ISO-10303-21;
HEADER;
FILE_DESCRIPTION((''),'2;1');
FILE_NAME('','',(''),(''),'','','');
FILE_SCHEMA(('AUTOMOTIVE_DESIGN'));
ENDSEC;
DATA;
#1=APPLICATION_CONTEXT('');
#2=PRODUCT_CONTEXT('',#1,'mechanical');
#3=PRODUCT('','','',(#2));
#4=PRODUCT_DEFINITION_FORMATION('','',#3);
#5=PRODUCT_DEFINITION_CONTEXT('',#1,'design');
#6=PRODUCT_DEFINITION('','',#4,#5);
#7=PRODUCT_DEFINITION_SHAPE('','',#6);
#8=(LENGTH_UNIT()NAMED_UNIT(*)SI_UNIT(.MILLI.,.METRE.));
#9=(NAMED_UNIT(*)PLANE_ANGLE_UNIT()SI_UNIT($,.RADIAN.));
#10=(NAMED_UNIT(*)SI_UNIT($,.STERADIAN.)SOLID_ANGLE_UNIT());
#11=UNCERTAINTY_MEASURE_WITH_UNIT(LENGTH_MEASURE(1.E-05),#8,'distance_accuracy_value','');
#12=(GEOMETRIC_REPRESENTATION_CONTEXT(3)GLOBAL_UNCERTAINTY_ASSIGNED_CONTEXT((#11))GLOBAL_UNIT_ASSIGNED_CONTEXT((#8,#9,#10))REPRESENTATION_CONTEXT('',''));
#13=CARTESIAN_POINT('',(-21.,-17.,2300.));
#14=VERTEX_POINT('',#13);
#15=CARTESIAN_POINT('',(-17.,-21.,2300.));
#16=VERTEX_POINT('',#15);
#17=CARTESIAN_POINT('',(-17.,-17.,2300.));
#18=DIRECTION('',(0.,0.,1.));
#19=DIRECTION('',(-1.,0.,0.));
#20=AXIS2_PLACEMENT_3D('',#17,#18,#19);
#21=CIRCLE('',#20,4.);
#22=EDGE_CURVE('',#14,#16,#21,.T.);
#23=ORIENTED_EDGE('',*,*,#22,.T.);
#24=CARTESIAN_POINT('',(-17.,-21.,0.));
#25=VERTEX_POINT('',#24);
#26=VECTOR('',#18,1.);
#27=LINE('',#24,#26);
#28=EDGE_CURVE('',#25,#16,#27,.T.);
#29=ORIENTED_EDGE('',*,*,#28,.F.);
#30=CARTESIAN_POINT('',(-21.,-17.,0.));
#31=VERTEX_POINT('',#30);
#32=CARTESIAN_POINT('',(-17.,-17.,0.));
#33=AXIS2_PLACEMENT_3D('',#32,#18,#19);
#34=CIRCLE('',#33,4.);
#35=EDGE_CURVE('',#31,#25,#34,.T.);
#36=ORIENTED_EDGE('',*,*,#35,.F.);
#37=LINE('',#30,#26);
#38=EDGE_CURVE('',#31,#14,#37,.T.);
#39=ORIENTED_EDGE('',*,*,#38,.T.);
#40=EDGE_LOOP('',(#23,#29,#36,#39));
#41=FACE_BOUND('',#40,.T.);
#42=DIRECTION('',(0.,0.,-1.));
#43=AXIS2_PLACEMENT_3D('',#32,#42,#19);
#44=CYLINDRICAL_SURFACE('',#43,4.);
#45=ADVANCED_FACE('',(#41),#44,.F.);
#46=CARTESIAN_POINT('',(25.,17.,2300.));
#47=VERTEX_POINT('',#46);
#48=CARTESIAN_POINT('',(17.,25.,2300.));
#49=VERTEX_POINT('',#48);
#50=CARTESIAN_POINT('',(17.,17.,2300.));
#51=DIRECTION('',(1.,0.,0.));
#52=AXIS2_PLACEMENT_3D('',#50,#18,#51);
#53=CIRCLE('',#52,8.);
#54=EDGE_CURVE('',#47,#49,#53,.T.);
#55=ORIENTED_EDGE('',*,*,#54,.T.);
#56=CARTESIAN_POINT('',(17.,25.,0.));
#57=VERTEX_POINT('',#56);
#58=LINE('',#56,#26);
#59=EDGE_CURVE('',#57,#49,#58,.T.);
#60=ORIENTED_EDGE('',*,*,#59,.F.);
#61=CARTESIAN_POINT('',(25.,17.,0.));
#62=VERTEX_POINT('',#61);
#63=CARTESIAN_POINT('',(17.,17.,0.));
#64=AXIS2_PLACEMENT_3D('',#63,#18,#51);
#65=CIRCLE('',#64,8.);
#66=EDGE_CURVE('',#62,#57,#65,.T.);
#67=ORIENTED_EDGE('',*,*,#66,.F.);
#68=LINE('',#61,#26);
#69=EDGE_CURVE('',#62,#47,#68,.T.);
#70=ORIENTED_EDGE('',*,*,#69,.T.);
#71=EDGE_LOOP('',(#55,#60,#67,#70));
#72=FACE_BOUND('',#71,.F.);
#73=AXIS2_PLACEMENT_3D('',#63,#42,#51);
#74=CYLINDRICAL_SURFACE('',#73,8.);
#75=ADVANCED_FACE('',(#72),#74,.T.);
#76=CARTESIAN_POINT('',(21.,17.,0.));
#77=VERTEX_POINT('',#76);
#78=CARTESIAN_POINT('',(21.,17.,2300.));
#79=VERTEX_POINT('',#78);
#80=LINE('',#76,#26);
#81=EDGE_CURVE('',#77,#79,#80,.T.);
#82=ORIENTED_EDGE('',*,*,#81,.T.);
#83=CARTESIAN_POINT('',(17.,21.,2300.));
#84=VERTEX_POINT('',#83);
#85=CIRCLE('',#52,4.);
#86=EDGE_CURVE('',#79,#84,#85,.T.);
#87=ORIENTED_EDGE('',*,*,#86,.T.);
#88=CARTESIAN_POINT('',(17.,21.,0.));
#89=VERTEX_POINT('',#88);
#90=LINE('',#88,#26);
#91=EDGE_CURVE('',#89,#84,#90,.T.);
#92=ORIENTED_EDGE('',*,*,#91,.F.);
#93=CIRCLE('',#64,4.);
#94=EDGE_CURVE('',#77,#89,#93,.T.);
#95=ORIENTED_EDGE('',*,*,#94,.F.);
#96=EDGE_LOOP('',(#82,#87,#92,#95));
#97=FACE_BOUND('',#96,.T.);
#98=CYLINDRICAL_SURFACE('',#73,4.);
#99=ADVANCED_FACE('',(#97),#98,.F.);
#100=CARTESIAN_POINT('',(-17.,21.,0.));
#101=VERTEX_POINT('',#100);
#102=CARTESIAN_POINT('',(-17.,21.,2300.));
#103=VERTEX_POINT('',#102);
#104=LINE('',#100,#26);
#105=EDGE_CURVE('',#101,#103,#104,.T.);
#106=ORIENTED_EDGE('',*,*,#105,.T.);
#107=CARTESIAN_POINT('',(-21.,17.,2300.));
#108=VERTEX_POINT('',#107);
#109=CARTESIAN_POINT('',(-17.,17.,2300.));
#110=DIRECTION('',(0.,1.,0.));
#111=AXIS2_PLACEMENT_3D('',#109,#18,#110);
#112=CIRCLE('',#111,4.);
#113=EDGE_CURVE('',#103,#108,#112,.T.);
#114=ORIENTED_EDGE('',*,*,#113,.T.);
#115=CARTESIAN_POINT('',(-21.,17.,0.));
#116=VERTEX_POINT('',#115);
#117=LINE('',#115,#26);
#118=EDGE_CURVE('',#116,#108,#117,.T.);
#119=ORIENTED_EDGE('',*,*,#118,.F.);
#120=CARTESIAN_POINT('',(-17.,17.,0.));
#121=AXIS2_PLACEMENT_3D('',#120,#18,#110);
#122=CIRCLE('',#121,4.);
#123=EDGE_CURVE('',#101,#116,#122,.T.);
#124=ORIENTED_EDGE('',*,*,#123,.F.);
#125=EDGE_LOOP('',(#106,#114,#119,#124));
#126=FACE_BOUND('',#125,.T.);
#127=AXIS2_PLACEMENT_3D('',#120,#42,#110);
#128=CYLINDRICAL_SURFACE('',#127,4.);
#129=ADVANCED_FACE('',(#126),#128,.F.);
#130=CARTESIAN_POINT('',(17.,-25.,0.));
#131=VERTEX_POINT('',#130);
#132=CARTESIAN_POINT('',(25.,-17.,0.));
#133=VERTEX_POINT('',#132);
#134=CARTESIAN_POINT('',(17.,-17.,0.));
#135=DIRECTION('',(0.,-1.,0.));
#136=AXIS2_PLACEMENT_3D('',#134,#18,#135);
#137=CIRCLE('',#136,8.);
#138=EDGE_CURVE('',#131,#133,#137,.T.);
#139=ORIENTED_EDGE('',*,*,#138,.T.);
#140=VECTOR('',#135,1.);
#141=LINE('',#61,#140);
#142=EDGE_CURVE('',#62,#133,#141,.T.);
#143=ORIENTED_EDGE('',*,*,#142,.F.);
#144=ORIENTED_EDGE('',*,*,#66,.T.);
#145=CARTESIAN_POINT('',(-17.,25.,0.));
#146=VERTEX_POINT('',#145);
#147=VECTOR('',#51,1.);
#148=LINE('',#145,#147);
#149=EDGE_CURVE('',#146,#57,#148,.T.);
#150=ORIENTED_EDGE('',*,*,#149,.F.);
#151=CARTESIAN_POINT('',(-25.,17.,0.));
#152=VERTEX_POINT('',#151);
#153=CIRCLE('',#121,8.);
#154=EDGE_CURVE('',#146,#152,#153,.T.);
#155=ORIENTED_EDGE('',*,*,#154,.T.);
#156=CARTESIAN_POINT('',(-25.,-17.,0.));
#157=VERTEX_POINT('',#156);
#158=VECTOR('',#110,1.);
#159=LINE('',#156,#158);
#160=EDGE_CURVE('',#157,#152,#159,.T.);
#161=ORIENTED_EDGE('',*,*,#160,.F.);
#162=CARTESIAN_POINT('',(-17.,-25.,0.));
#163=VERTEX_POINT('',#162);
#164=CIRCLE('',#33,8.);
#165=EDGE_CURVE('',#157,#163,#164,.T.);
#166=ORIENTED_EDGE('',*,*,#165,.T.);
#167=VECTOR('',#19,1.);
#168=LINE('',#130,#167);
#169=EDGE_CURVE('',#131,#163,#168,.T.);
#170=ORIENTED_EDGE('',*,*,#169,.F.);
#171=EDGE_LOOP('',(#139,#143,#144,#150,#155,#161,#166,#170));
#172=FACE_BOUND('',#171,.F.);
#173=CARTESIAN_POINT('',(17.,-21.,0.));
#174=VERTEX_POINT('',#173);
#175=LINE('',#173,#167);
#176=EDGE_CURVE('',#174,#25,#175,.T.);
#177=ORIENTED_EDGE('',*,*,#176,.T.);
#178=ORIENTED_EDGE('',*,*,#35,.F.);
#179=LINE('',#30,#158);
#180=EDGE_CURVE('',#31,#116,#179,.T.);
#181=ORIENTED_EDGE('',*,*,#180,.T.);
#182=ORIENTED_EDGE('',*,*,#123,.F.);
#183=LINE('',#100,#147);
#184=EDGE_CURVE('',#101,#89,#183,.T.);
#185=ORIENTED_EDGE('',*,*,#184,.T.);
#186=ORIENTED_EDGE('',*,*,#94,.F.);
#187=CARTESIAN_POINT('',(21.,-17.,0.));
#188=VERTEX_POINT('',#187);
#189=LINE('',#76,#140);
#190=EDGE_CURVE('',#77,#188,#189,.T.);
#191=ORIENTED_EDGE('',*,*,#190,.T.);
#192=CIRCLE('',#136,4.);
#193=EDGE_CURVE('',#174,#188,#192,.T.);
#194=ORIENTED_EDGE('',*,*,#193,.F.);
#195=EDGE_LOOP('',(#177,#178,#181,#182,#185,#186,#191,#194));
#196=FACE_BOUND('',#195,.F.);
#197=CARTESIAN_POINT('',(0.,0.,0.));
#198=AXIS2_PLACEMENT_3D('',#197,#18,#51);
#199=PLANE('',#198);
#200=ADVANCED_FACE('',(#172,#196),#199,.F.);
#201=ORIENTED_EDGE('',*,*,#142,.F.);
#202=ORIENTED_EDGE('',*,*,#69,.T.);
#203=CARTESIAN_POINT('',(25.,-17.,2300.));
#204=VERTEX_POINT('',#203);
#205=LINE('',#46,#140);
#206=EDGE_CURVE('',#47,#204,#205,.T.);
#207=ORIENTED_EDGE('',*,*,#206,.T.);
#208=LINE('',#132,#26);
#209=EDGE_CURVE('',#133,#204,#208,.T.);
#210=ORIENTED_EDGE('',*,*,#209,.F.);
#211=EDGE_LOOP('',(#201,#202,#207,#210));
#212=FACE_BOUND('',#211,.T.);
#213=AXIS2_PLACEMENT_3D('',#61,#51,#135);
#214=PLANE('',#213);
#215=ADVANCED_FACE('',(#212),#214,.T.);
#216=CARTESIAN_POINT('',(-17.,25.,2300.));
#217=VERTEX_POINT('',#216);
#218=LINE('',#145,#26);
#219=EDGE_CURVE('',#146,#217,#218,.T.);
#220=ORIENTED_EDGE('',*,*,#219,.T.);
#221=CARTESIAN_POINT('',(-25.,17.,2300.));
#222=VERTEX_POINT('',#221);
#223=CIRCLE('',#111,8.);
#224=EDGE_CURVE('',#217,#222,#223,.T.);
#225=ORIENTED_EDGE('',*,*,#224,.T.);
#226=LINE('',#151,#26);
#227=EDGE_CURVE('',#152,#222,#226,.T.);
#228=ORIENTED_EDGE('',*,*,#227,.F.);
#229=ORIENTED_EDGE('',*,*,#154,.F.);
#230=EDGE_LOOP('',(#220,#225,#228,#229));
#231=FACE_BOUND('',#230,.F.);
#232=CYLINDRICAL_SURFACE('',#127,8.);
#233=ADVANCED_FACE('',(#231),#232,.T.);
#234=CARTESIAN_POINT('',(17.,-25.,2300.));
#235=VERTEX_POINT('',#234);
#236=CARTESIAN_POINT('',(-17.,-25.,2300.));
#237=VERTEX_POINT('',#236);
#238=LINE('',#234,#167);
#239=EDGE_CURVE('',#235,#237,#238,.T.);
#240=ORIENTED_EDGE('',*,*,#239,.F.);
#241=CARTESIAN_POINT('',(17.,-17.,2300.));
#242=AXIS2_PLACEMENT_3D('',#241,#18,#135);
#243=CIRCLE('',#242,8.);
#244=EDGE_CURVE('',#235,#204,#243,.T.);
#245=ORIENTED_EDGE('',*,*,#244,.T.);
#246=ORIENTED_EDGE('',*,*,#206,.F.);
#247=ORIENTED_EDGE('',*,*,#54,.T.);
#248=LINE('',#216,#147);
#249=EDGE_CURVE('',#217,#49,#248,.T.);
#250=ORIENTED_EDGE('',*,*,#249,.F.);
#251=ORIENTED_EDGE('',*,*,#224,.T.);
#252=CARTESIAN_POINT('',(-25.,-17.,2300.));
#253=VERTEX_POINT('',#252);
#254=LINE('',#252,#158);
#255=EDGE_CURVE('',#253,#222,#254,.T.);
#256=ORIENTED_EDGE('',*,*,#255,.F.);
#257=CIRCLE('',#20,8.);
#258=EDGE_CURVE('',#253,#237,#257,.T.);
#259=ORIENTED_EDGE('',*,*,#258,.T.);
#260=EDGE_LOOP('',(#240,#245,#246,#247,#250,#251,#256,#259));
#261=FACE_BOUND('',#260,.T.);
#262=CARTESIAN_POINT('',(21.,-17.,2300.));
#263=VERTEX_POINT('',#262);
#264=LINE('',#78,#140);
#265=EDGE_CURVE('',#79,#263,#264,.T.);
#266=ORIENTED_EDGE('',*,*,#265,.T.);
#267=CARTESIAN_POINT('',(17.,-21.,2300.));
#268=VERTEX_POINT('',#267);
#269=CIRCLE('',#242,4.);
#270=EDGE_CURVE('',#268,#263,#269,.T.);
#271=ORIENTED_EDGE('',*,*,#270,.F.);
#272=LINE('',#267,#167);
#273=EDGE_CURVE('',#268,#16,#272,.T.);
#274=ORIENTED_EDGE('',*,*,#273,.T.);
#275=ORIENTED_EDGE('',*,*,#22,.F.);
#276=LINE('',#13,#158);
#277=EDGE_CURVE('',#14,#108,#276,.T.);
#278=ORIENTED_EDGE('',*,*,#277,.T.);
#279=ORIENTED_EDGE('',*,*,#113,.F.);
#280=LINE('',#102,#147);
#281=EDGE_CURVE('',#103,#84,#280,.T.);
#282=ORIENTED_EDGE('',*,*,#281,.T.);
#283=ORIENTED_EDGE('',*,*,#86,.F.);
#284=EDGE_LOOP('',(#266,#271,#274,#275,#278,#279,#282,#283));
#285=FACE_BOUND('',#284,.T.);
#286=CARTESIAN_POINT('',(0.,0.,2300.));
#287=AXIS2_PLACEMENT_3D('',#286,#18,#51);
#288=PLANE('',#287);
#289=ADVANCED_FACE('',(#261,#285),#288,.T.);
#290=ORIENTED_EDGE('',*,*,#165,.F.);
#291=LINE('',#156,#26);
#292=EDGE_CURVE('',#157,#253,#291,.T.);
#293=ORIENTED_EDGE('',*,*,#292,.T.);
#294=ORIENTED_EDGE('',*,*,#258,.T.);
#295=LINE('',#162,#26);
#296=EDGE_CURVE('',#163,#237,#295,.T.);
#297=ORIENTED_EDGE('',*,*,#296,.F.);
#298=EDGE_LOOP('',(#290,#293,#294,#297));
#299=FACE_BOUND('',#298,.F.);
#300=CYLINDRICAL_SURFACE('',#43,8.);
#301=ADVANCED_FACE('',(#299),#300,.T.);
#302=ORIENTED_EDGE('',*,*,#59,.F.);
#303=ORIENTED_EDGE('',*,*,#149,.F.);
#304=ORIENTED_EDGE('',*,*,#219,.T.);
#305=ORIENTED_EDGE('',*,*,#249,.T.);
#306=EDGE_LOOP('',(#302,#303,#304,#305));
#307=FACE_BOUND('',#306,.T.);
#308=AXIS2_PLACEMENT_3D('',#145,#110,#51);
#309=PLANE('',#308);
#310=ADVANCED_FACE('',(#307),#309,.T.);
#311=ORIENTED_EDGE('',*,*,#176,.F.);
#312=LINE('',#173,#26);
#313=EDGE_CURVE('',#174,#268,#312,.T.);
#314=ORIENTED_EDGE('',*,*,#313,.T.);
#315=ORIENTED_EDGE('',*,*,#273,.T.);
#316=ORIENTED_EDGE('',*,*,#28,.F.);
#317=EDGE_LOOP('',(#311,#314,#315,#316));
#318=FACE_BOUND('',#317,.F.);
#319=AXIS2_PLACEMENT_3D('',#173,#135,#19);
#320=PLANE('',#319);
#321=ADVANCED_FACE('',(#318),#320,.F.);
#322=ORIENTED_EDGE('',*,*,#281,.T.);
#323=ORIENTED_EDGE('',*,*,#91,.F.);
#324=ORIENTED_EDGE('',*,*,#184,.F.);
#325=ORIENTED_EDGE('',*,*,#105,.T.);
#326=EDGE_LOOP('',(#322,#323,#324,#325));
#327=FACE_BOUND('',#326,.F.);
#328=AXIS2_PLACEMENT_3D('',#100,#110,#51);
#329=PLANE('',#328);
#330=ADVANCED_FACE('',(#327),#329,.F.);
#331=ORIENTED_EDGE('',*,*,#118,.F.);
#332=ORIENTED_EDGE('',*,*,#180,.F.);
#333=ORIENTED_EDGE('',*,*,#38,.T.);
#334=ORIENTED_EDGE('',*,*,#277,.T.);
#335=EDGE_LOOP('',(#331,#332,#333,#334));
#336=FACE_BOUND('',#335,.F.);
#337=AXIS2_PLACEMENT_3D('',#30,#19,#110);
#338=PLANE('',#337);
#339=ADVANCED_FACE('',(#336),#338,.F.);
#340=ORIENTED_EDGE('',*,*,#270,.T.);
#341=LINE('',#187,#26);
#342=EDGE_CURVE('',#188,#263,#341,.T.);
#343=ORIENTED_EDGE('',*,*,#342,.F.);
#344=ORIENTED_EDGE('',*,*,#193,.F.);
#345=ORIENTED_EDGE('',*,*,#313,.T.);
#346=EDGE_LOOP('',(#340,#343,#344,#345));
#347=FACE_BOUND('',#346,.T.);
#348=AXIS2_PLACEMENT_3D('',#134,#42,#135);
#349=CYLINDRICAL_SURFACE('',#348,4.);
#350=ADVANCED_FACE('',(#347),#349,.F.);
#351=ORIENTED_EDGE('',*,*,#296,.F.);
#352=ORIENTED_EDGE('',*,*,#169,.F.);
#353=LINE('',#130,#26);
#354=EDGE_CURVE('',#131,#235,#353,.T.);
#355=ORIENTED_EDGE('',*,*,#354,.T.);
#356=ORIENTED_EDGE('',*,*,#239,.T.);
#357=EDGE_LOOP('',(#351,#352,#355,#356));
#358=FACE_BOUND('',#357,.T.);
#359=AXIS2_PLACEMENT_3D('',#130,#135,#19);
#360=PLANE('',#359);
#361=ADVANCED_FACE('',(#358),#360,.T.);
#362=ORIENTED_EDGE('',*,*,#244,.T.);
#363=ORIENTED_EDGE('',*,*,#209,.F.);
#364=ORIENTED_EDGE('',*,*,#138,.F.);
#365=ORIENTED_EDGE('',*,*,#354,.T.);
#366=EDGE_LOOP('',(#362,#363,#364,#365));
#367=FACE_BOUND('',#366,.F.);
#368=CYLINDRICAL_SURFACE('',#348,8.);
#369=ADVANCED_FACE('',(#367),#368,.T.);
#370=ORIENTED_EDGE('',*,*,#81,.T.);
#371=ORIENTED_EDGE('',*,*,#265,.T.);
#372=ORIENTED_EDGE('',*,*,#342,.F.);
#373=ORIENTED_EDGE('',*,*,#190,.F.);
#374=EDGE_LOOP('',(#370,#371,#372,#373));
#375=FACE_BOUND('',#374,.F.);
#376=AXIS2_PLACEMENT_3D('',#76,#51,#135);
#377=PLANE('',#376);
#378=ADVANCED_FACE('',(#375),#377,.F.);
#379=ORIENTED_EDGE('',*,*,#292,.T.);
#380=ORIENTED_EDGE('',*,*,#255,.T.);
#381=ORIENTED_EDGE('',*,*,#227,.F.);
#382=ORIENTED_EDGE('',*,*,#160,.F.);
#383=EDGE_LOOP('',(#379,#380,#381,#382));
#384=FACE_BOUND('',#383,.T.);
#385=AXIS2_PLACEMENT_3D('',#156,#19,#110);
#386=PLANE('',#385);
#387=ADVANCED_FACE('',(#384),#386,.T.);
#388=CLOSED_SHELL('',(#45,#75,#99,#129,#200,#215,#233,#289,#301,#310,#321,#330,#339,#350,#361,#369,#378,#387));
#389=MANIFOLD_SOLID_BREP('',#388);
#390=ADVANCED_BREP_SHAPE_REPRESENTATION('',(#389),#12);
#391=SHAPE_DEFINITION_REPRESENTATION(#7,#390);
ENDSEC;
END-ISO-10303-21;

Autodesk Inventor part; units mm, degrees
ref_plane "YZ Plane" through (0, 0, 0) normal (1, 0, 0) x (0, 1, 0)
ref_plane "Start Plane" through (0, 0, 0) normal (0, 0, 1) x (1, 0, 0)
ref_plane "End Plane" through (0, 0, 2300) normal (0, 0, 1) x (1, 0, 0)
sketch "Sketch" plane through (0, 0, 0) normal (0, 0, 1) x (1, 0, 0)
  line L0 (-25, -17) -> (-25, 17)
  line L1 (-17, 25) -> (17, 25)
  line L2 (25, 17) -> (25, -17)
  line L3 (17, -25) -> (-17, -25)
  arc A0 (-25, -17) -> (-17, -25) centre (-17, -17) ccw
  arc A1 (25, 17) -> (17, 25) centre (17, 17) ccw
  arc A2 (-17, 25) -> (-25, 17) centre (-17, 17) ccw
  arc A3 (17, -25) -> (25, -17) centre (17, -17) ccw
  arc A4 (-17, 21) -> (-21, 17) centre (-17, 17) ccw
  line L4 (-17, 21) -> (17, 21)
  arc A5 (21, 17) -> (17, 21) centre (17, 17) ccw
  line L5 (21, 17) -> (21, -17)
  arc A6 (17, -21) -> (21, -17) centre (17, -17) ccw
  line L6 (17, -21) -> (-17, -21)
  arc A7 (-21, -17) -> (-17, -21) centre (-17, -17) ccw
  line L7 (-21, -17) -> (-21, 17)
  line L8 (0, 37.3196) -> (0, -37.3196) construction
  line L9 (-37.3196, 0) -> (37.3196, 0) construction
  dimension "d7" = 8
  dimension "d9" = 50
  dimension "d11" = 50
  dimension "d12" = 4
  dimension "d15" = 25
  dimension "d16" = 25
extrude "Body" add sketch "Sketch" along normal up to surface (2300 mm away) from surface at 0
sketch "Sketch3" plane through (0, 0, 0) normal (0, 0, 1) x (1, 0, 0)
  line L0 (0, 0) -> (10, 0)
ref_plane "Work Plane3" through (0, 0, 0) normal (0, -1, 0) x (1, 0, 0)
sketch "Sketch4" plane through (0, 0, 0) normal (0, -1, 0) x (1, 0, 0)
  line L0 (-2, 0) -> (12, 0)
  line L1 (-2, 2300) -> (12, 2300)
  dimension "d18" = 2300
equation "\"d7\" = G_IR"
equation "\"d9\" = G_W"
equation "\"d11\" = G_H"
equation "\"d12\" = G_T"
equation "\"d15\" = 0.5 * d9"
equation "\"d16\" = 0.5 * d11"
equation "\"d3\" = G_L"
equation "\"G_W\" = 50"
equation "\"G_H\" = 50"
equation "\"G_T\" = 4"
equation "\"G_IR\" = 8"
equation "\"G_L\" = d18"
equation "\"G_OFFSET_START\" = 0"
equation "\"G_OFFSET_END\" = 0"
properties part number "ISO 10799-2 50x50x4 1744350151616" material "Steel, Mild"
